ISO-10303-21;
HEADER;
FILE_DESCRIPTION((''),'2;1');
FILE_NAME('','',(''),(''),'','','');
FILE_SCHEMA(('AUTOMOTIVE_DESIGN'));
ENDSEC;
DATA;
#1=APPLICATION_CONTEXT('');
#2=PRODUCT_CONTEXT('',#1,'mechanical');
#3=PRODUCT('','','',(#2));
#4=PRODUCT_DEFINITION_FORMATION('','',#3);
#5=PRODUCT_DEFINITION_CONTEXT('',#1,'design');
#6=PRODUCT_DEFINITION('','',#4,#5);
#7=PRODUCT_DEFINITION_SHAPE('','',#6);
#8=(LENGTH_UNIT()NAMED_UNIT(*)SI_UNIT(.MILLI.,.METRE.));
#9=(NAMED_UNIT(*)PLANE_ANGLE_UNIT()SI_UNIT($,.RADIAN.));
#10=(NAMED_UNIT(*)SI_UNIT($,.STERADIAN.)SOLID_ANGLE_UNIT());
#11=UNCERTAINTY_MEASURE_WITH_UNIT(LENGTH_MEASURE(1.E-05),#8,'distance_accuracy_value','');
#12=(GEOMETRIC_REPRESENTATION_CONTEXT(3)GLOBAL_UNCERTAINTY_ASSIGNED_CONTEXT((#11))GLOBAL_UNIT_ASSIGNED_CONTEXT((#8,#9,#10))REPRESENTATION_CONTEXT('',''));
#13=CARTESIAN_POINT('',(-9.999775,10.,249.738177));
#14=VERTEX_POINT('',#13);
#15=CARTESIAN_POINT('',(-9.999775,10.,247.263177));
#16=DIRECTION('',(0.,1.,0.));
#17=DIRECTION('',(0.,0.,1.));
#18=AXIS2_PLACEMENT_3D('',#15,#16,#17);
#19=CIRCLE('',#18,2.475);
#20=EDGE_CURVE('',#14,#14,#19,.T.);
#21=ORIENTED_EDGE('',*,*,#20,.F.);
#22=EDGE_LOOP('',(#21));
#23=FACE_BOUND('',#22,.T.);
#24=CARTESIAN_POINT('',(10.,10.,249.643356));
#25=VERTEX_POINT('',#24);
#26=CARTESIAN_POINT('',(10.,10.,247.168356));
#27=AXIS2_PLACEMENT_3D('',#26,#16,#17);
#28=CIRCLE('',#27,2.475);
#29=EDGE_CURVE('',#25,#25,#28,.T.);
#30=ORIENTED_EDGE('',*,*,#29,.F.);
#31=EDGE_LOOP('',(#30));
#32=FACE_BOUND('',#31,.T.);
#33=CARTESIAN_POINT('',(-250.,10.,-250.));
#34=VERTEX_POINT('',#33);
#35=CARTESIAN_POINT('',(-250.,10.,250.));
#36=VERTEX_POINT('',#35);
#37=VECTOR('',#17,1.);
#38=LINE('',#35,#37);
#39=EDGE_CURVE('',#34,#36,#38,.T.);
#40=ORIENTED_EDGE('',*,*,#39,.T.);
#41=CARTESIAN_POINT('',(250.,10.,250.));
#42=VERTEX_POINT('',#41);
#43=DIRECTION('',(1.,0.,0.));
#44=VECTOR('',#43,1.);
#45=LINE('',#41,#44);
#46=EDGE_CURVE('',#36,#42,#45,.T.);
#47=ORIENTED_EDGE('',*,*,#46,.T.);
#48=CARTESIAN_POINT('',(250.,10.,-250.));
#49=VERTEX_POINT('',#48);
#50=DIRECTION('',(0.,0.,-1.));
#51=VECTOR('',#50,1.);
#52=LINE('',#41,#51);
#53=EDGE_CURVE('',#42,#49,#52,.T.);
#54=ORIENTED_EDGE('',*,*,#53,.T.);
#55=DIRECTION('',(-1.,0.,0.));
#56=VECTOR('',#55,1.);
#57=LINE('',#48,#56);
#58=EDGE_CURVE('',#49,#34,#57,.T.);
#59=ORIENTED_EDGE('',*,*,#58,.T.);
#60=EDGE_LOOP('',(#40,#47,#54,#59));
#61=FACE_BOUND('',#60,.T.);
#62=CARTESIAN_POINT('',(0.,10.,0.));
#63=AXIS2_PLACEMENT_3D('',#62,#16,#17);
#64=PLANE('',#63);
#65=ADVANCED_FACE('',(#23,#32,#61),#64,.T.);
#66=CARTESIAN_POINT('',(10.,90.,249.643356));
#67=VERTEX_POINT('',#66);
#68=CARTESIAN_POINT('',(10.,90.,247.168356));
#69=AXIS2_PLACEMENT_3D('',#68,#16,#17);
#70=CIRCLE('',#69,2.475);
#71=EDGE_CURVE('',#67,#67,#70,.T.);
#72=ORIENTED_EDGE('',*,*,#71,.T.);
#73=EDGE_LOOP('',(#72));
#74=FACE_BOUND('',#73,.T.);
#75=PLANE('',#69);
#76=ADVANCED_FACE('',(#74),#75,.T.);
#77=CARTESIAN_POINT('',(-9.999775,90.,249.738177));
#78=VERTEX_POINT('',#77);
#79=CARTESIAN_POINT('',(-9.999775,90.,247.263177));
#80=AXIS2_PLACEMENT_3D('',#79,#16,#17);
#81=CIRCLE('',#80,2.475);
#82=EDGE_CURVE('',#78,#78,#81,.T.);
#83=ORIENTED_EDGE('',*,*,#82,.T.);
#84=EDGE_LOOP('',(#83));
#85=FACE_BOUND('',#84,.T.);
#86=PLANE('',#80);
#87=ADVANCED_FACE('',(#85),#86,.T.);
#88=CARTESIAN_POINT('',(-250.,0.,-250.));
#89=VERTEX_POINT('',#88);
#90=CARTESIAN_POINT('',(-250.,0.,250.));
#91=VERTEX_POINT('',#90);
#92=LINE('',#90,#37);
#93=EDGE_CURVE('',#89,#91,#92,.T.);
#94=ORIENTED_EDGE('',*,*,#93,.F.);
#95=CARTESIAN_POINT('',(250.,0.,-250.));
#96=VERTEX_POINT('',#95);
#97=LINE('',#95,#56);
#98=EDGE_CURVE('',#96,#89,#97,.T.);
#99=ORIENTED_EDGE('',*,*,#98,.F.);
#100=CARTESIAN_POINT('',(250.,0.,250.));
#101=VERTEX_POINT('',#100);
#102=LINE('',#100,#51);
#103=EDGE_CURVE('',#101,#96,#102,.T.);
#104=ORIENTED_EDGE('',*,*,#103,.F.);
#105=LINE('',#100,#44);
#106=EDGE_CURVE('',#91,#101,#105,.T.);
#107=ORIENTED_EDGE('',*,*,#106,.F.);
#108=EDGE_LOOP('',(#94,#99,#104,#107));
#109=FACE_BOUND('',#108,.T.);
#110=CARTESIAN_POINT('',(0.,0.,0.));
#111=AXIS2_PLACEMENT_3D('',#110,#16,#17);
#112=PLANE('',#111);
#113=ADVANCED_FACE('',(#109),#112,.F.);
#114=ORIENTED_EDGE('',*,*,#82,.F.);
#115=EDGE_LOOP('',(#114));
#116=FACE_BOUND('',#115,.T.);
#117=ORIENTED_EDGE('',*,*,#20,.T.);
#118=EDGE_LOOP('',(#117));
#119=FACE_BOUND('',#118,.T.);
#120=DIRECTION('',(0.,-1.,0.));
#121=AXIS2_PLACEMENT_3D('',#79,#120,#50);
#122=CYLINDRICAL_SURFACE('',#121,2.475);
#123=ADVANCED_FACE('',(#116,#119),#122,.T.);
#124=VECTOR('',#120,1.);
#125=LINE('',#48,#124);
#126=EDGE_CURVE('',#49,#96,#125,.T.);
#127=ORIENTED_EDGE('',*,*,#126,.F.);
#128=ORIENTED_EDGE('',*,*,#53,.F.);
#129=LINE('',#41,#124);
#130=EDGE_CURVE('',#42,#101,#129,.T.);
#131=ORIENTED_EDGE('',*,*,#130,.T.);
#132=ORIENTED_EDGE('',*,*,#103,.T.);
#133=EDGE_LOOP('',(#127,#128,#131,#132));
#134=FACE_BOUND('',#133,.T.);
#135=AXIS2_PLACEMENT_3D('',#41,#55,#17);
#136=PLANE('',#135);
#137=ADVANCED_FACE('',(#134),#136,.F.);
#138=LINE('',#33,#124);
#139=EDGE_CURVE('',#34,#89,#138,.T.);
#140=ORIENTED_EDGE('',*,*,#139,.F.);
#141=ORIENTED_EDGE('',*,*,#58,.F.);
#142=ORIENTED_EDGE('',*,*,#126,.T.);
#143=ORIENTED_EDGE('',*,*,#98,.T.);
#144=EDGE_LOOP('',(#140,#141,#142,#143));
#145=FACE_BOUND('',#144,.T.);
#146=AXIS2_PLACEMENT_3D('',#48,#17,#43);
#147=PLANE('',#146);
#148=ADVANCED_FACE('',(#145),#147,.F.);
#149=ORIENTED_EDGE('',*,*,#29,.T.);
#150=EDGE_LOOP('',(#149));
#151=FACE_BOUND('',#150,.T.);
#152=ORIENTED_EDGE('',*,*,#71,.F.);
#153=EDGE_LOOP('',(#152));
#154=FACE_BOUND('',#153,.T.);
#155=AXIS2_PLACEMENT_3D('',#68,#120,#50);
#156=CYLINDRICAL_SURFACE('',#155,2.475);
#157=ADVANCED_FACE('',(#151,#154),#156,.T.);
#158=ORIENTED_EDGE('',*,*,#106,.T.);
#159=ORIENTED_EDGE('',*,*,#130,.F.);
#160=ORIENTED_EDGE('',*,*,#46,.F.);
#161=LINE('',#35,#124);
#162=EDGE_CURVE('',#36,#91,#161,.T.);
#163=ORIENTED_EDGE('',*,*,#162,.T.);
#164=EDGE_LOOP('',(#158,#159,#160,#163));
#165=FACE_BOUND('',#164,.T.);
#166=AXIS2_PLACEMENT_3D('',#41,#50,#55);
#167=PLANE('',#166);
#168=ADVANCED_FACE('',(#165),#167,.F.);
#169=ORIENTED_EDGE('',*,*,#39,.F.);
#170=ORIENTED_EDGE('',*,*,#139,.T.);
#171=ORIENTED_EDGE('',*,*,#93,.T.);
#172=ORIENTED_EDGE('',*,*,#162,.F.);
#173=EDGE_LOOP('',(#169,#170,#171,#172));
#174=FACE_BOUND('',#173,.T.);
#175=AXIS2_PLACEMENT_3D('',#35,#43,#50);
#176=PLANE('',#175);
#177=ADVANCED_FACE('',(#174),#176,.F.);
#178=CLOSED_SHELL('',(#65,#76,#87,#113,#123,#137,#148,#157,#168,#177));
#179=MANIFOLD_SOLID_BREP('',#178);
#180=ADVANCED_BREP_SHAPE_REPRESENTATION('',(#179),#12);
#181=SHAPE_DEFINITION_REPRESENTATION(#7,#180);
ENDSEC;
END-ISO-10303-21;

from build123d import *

# Parameters (mm, degrees)
SKETCH2_W           = 500
SKETCH2_H           = 500
BOSS_EXTRUDE1_DEPTH = 10
SKETCH5_R           = 2.475
BOSS_EXTRUDE2_DEPTH = 80


with BuildPart() as part:
    # Sketch2 → Boss-Extrude1 (new body)
    with BuildSketch(Plane(origin=(0, 0, 0), x_dir=(1, 0, 0), z_dir=(0, 1, 0))):
        Rectangle(SKETCH2_W, SKETCH2_H)
    extrude(amount=BOSS_EXTRUDE1_DEPTH)

    # Sketch5 → Boss-Extrude2 (add)
    with BuildSketch(Plane(origin=(0, 10, 0), x_dir=(1, 0, 0), z_dir=(0, 1, 0))):
        with Locations(Location((-9.999775225, -247.263176953, 0), (0, 0, 270))):
            Circle(SKETCH5_R)
        with Locations(Location((10, -247.168356243, 0), (0, 0, 270))):
            Circle(SKETCH5_R)
    extrude(amount=BOSS_EXTRUDE2_DEPTH)


solid = part.part
